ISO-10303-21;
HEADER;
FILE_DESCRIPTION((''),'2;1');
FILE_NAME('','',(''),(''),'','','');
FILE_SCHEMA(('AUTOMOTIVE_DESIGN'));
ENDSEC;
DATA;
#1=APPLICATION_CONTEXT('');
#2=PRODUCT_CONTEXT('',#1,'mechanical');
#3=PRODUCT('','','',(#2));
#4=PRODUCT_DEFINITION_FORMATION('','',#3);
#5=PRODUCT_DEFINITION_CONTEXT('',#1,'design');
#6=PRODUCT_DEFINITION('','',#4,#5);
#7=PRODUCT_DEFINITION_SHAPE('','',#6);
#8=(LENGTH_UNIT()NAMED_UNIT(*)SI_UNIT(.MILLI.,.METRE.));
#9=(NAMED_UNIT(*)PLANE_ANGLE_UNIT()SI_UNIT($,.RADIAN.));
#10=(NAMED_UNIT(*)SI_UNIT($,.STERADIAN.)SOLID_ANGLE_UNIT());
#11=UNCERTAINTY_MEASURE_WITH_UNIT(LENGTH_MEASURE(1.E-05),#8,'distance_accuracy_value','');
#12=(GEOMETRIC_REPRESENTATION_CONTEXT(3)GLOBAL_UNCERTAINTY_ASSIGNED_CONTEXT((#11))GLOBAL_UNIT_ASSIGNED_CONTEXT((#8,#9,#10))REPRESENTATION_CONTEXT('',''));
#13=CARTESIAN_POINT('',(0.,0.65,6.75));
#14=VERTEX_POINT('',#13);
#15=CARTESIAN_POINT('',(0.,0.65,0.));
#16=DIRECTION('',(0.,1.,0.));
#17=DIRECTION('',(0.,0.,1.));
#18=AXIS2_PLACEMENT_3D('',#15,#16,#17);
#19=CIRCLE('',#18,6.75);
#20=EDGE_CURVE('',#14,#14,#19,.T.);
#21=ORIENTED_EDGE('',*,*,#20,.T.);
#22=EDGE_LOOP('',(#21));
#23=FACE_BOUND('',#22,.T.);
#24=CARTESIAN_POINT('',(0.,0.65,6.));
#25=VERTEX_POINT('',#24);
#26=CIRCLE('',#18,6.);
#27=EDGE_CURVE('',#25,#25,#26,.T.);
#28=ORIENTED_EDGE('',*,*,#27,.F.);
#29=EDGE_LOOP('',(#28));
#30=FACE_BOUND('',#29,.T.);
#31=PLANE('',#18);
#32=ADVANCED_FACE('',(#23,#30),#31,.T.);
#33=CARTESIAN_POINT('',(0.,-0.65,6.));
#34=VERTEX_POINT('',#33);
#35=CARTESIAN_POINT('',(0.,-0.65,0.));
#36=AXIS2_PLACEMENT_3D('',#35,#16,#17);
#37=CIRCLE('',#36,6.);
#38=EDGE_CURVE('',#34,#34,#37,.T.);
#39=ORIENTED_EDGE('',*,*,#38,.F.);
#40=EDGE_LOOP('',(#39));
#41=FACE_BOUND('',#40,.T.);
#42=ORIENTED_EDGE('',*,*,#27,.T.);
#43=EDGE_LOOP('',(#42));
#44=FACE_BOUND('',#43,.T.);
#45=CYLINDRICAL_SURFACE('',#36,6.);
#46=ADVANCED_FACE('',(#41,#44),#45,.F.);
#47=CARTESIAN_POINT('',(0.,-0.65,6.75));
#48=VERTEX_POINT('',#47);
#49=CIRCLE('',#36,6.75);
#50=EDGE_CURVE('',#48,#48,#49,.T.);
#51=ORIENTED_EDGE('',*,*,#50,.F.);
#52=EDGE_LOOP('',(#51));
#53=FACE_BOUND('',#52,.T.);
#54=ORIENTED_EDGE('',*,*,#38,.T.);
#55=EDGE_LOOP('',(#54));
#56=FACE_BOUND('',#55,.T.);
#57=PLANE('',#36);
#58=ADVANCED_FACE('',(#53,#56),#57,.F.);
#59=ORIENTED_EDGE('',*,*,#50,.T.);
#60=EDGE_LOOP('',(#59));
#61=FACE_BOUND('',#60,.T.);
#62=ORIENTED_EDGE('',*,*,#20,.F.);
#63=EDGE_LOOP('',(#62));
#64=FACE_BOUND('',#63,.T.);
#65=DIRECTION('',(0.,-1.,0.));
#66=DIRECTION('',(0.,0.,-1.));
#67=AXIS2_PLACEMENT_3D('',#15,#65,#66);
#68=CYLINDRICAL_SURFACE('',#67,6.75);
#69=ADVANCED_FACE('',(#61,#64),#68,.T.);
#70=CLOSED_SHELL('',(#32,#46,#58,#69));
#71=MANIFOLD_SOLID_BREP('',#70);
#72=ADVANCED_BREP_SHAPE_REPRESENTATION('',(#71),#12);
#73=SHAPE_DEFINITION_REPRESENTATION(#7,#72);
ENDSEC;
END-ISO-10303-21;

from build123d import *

# Parameters (mm, degrees)
SKETCH1_R               = 6.75
BOSS_EXTRUDE1_DEPTH     = 0.65
SKETCH2_R               = 6
CUT_EXTRUDE1_DEPTH      = 1.65
CUT_EXTRUDE1_DEPTH_BACK = 1.65


with BuildPart() as part:
    # Sketch1 → Boss-Extrude1 (new body, symmetric)
    with BuildSketch(Plane(origin=(0, 0, 0), x_dir=(1, 0, 0), z_dir=(0, 1, 0))):
        Circle(SKETCH1_R)
    extrude(amount=BOSS_EXTRUDE1_DEPTH, both=True)

    # Sketch2 → Cut-Extrude1 (cut, two sides)
    with BuildSketch(Plane(origin=(0, 0, 0), x_dir=(1, 0, 0), z_dir=(0, 1, 0))) as cut_extrude1_sk:
        Circle(SKETCH2_R)
    extrude(amount=CUT_EXTRUDE1_DEPTH, mode=Mode.SUBTRACT)
    extrude(cut_extrude1_sk.sketch, amount=-CUT_EXTRUDE1_DEPTH_BACK, mode=Mode.SUBTRACT)


solid = part.part
